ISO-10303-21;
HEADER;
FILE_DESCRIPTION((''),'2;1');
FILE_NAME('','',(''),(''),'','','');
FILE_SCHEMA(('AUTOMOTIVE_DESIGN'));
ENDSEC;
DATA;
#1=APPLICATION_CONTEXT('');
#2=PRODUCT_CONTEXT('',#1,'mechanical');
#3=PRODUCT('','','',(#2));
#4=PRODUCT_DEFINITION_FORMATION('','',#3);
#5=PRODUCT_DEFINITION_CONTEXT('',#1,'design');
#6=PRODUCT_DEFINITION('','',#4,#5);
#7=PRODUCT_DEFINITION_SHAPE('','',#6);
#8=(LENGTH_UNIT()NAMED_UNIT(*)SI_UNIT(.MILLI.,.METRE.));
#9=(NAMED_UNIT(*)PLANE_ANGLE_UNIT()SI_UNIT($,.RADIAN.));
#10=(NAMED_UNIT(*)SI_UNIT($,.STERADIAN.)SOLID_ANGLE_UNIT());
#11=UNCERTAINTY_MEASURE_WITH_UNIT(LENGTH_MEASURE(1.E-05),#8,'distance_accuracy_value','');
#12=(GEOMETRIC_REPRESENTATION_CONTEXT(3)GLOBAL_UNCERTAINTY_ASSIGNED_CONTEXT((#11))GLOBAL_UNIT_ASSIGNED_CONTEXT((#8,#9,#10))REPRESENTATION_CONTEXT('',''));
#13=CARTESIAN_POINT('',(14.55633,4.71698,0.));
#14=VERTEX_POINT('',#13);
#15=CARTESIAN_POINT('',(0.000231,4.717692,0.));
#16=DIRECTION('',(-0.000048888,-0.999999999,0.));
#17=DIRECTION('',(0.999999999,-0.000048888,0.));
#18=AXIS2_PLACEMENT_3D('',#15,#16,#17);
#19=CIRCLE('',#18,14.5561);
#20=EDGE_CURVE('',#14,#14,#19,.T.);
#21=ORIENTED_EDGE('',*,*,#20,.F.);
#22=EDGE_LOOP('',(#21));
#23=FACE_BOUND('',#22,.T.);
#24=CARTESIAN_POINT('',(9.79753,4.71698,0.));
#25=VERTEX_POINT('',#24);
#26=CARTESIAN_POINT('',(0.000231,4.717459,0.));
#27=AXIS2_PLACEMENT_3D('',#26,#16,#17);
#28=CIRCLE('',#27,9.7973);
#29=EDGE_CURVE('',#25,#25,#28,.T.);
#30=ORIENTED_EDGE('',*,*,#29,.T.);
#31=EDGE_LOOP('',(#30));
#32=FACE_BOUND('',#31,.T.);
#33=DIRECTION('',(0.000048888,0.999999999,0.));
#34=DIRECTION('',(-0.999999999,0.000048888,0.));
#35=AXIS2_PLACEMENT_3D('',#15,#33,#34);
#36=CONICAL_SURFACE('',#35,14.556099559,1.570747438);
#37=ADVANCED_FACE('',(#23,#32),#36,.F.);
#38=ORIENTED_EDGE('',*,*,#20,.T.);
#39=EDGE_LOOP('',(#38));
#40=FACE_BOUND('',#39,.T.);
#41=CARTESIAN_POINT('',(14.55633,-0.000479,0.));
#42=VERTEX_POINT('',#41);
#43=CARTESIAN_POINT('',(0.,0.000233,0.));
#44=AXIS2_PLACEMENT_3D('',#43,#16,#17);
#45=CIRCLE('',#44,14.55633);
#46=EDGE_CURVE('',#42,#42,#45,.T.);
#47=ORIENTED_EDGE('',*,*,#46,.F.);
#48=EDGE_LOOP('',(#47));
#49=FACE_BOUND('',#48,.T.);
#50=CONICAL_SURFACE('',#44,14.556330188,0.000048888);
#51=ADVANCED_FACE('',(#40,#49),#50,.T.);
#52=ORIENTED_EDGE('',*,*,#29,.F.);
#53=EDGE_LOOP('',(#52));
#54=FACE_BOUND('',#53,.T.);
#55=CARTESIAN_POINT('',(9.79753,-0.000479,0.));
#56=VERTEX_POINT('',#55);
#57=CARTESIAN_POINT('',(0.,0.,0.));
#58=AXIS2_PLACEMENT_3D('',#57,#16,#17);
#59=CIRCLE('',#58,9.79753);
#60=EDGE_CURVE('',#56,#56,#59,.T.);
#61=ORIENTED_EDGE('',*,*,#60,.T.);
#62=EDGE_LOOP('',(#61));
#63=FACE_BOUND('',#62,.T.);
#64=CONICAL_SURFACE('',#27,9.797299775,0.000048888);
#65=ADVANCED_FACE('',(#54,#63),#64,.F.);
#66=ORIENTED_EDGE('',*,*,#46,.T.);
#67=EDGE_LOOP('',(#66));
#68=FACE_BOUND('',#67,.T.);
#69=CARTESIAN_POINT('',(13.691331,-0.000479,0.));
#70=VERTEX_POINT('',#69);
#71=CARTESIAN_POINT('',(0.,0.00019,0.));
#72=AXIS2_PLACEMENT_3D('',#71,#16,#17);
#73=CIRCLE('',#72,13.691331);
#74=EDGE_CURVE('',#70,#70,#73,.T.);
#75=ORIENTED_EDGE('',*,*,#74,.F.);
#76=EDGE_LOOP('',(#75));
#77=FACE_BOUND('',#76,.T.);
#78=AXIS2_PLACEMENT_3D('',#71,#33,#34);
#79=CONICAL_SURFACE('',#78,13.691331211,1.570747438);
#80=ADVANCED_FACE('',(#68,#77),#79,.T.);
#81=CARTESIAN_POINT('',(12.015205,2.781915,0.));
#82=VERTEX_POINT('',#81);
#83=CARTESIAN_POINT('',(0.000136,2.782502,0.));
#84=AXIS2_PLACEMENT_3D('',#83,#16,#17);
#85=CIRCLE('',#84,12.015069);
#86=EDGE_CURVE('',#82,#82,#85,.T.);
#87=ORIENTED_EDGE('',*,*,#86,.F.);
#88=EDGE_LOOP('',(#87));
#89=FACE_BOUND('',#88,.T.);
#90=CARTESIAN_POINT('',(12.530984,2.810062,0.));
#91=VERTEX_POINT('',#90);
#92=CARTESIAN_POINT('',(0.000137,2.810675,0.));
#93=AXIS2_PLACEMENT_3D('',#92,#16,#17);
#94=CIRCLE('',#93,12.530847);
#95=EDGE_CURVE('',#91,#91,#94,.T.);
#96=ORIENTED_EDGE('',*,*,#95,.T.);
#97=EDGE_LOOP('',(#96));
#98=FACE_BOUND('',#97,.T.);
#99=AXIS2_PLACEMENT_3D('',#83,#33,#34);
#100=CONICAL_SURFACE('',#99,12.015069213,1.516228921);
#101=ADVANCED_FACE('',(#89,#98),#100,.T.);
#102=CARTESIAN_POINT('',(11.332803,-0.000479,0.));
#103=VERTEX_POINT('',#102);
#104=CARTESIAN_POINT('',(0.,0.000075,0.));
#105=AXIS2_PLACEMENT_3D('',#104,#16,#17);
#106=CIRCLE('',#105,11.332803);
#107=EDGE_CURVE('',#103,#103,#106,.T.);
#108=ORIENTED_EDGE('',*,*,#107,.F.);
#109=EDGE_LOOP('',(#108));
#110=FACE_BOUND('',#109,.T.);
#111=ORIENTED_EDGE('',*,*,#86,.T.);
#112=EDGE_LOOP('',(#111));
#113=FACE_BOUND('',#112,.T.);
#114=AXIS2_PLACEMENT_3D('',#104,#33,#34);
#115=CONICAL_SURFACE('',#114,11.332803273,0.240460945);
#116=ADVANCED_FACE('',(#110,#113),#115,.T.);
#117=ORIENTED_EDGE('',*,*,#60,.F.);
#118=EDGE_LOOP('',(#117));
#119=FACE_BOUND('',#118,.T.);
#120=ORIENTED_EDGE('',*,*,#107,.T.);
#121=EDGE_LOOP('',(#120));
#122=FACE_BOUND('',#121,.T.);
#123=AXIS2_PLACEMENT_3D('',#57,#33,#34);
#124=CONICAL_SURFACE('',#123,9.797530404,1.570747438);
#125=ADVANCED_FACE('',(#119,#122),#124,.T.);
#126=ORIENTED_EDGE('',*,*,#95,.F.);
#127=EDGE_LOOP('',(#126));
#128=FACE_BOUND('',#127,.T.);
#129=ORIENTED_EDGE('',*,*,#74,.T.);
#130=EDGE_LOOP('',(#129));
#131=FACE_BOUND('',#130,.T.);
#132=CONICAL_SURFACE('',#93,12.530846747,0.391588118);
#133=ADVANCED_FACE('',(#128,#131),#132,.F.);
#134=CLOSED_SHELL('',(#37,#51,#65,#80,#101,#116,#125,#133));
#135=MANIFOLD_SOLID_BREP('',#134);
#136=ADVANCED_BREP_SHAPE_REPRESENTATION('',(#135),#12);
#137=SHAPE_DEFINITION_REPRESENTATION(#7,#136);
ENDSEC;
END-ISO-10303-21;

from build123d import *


with BuildPart() as part:
    # Çizim1 → Döndür1 (revolve)
    with BuildSketch(Plane.XY):
        Polygon((14.556330182, -0.000478985), (14.556330182, 4.716980057), (9.797530392, 4.716980057), (9.797530392, -0.000478985), (11.332803263, -0.000478985), (12.01520523, 2.781914958), (12.530984141, 2.810062352), (13.691331204, -0.000478985), align=None)
    revolve(axis=Axis((0, 0, 0), (4.8888323348204376e-05, 0.9999999988049659, 0)))


solid = part.part
